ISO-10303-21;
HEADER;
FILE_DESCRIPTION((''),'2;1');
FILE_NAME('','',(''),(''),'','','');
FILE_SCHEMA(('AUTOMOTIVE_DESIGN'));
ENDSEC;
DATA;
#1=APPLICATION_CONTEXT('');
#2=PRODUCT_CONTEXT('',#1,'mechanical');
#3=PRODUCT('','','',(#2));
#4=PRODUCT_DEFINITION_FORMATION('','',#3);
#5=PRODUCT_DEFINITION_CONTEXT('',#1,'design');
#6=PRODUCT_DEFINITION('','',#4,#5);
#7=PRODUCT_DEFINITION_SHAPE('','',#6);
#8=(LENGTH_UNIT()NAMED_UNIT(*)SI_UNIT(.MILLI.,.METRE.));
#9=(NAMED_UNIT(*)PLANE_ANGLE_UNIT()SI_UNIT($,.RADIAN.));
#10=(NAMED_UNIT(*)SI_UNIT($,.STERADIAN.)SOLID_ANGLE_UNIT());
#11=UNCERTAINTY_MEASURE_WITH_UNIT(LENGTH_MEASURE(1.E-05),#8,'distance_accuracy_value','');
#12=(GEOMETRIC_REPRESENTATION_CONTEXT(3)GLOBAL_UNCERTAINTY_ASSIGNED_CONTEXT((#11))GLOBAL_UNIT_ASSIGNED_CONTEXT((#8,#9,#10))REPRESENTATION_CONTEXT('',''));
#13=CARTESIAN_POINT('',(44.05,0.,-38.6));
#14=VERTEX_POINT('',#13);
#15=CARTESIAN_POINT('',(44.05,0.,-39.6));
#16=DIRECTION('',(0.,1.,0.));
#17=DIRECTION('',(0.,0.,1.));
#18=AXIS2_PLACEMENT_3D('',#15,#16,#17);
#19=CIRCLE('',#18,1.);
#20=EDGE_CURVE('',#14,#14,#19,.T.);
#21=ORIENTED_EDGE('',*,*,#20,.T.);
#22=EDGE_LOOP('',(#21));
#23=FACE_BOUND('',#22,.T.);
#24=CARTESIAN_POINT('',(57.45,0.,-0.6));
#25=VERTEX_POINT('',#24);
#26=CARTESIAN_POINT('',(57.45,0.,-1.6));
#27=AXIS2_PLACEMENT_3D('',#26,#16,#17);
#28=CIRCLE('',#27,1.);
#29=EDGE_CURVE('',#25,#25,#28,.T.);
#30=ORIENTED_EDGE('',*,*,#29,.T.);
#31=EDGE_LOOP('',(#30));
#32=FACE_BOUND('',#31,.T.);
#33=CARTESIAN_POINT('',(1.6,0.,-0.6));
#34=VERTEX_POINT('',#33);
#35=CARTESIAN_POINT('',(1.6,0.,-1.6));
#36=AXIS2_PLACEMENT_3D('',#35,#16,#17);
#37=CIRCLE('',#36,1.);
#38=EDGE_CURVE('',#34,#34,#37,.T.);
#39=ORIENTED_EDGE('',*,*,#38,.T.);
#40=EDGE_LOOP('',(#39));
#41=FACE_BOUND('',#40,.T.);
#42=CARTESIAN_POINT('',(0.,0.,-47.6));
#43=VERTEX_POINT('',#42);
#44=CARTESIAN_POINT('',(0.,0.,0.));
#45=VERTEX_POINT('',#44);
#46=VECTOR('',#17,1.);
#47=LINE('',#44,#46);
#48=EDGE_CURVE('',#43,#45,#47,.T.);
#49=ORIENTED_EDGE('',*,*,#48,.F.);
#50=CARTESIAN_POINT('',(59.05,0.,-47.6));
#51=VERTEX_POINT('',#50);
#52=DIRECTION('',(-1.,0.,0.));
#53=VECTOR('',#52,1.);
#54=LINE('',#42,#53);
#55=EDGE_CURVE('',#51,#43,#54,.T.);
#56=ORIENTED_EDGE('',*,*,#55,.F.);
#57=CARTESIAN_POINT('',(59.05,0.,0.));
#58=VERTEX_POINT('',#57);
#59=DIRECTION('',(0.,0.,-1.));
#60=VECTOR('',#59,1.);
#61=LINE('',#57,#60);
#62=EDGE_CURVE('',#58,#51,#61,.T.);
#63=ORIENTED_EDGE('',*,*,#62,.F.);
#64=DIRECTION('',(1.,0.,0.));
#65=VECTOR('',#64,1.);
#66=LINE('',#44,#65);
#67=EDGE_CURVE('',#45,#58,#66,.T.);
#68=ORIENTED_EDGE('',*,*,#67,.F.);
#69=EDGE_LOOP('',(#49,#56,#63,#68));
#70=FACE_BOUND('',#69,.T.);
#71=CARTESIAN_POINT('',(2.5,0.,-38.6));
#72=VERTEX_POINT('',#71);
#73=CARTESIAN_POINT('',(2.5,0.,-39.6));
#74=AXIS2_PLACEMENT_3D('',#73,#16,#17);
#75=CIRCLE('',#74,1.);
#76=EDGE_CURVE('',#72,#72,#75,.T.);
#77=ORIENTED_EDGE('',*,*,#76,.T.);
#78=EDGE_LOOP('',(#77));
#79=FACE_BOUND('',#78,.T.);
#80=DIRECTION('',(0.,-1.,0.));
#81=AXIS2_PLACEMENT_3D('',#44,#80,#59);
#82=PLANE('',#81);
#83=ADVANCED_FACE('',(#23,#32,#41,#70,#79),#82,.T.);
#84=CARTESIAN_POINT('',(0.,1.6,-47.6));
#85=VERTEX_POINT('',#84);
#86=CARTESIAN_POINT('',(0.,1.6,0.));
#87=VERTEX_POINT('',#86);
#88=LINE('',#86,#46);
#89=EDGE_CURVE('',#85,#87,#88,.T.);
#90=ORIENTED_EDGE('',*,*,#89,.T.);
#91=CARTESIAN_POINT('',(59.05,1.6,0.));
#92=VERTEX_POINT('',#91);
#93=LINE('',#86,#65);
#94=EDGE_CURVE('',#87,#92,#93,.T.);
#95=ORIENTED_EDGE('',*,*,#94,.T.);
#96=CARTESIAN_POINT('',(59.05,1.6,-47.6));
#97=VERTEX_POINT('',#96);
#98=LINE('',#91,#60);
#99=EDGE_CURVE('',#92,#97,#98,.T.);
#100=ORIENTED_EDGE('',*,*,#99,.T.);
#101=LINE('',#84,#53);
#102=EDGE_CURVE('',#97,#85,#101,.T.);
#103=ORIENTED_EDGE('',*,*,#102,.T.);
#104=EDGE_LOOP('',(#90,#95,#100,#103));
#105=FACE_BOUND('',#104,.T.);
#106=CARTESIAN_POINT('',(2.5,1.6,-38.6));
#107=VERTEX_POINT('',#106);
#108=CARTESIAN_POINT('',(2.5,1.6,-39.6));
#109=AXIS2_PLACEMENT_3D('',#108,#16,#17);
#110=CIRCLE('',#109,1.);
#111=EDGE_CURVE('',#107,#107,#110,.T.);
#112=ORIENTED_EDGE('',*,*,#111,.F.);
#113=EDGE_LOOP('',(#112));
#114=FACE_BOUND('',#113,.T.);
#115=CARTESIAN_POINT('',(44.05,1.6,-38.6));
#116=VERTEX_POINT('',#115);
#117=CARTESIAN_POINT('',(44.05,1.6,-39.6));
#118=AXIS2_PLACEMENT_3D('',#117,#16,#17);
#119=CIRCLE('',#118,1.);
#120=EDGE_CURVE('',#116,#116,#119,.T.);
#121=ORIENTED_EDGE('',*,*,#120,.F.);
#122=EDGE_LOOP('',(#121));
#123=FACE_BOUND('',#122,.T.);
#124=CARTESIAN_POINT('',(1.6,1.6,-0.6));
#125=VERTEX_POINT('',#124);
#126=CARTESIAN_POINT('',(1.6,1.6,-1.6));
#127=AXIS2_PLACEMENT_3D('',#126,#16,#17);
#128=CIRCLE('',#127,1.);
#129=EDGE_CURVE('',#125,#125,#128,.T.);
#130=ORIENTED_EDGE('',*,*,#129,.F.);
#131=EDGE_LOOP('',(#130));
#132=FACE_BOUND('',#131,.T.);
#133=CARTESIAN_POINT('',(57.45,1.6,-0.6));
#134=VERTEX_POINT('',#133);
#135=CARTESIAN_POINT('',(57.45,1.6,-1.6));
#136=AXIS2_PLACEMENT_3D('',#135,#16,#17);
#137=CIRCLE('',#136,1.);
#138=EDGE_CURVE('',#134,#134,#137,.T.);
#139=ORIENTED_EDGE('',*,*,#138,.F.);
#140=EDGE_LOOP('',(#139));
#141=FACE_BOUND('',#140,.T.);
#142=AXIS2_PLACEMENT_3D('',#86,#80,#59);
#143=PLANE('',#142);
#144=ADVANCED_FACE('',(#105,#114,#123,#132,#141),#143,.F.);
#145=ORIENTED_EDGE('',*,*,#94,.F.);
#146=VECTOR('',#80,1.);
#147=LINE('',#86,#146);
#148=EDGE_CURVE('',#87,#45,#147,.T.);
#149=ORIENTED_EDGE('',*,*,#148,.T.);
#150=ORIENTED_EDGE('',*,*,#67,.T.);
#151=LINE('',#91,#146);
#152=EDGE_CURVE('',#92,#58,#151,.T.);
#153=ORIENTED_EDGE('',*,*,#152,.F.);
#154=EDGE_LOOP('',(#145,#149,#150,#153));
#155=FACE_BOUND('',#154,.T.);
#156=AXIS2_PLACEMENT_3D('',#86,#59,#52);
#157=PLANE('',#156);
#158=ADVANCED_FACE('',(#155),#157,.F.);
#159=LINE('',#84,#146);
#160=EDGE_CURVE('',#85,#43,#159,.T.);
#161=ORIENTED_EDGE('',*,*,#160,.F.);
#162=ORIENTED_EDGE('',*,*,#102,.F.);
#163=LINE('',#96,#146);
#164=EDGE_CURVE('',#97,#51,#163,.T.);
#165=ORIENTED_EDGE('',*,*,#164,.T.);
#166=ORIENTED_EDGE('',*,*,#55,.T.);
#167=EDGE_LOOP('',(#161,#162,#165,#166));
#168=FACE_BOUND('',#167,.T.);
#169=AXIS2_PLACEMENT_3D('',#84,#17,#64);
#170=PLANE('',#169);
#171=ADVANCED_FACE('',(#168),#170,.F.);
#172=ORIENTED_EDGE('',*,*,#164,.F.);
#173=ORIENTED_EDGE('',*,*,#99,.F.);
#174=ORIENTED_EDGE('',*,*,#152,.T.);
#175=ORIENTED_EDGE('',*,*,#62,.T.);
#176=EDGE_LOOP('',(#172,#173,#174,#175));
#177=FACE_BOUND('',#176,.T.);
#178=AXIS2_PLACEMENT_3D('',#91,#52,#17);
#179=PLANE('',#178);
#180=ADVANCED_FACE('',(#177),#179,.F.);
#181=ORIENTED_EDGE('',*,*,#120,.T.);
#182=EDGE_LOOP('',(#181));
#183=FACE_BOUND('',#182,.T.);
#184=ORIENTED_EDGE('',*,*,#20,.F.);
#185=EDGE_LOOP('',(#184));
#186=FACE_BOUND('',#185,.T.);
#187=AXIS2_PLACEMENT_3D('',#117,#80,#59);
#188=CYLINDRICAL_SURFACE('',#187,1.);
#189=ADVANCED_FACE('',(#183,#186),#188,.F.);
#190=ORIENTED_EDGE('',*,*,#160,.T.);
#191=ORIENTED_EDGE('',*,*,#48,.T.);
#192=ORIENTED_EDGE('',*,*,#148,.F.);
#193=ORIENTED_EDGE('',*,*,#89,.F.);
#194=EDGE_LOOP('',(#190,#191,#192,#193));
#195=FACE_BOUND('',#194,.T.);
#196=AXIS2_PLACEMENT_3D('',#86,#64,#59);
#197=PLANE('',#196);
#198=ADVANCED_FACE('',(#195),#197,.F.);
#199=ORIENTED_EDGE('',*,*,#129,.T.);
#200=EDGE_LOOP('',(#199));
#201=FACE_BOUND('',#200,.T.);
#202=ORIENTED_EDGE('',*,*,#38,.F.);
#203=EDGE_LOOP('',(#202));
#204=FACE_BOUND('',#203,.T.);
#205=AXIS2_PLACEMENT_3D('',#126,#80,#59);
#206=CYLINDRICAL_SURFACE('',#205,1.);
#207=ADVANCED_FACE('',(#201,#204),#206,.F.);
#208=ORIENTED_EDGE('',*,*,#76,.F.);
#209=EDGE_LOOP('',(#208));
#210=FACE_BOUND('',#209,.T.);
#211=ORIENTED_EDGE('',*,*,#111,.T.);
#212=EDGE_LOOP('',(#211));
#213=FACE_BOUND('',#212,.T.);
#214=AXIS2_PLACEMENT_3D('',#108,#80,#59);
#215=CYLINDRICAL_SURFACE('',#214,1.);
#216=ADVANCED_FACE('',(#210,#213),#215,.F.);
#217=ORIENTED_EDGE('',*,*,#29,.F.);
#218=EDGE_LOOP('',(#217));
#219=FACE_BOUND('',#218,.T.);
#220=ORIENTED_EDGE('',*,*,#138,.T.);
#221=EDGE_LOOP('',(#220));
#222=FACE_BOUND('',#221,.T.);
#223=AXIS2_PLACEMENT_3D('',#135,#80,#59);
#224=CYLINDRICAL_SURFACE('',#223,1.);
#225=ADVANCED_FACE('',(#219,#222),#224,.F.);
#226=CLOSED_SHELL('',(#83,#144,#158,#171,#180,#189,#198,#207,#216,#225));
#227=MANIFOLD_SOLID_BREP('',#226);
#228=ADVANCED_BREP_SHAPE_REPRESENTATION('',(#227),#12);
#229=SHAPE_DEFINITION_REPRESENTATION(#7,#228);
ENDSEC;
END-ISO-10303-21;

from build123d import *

# Parameters (mm, degrees)
SKETCH1_W           = 59.05
SKETCH1_H           = 47.6
SKETCH1_R           = 1
BOSS_EXTRUDE1_DEPTH = 1.6


with BuildPart() as part:
    # Sketch1 → Boss-Extrude1 (new body)
    with BuildSketch(Plane(origin=(0, 0, 0), x_dir=(1, 0, 0), z_dir=(0, 1, 0))):
        with Locations((29.525, 23.8)):
            Rectangle(SKETCH1_W, SKETCH1_H)
        with Locations(Location((57.45, 1.6, 0), (0, 0, 270))):
            Circle(SKETCH1_R, mode=Mode.SUBTRACT)
        with Locations(Location((44.05, 39.6, 0), (0, 0, 270))):
            Circle(SKETCH1_R, mode=Mode.SUBTRACT)
        with Locations(Location((2.5, 39.6, 0), (0, 0, 270))):
            Circle(SKETCH1_R, mode=Mode.SUBTRACT)
        with Locations(Location((1.6, 1.6, 0), (0, 0, 270))):
            Circle(SKETCH1_R, mode=Mode.SUBTRACT)
    extrude(amount=BOSS_EXTRUDE1_DEPTH)


solid = part.part
